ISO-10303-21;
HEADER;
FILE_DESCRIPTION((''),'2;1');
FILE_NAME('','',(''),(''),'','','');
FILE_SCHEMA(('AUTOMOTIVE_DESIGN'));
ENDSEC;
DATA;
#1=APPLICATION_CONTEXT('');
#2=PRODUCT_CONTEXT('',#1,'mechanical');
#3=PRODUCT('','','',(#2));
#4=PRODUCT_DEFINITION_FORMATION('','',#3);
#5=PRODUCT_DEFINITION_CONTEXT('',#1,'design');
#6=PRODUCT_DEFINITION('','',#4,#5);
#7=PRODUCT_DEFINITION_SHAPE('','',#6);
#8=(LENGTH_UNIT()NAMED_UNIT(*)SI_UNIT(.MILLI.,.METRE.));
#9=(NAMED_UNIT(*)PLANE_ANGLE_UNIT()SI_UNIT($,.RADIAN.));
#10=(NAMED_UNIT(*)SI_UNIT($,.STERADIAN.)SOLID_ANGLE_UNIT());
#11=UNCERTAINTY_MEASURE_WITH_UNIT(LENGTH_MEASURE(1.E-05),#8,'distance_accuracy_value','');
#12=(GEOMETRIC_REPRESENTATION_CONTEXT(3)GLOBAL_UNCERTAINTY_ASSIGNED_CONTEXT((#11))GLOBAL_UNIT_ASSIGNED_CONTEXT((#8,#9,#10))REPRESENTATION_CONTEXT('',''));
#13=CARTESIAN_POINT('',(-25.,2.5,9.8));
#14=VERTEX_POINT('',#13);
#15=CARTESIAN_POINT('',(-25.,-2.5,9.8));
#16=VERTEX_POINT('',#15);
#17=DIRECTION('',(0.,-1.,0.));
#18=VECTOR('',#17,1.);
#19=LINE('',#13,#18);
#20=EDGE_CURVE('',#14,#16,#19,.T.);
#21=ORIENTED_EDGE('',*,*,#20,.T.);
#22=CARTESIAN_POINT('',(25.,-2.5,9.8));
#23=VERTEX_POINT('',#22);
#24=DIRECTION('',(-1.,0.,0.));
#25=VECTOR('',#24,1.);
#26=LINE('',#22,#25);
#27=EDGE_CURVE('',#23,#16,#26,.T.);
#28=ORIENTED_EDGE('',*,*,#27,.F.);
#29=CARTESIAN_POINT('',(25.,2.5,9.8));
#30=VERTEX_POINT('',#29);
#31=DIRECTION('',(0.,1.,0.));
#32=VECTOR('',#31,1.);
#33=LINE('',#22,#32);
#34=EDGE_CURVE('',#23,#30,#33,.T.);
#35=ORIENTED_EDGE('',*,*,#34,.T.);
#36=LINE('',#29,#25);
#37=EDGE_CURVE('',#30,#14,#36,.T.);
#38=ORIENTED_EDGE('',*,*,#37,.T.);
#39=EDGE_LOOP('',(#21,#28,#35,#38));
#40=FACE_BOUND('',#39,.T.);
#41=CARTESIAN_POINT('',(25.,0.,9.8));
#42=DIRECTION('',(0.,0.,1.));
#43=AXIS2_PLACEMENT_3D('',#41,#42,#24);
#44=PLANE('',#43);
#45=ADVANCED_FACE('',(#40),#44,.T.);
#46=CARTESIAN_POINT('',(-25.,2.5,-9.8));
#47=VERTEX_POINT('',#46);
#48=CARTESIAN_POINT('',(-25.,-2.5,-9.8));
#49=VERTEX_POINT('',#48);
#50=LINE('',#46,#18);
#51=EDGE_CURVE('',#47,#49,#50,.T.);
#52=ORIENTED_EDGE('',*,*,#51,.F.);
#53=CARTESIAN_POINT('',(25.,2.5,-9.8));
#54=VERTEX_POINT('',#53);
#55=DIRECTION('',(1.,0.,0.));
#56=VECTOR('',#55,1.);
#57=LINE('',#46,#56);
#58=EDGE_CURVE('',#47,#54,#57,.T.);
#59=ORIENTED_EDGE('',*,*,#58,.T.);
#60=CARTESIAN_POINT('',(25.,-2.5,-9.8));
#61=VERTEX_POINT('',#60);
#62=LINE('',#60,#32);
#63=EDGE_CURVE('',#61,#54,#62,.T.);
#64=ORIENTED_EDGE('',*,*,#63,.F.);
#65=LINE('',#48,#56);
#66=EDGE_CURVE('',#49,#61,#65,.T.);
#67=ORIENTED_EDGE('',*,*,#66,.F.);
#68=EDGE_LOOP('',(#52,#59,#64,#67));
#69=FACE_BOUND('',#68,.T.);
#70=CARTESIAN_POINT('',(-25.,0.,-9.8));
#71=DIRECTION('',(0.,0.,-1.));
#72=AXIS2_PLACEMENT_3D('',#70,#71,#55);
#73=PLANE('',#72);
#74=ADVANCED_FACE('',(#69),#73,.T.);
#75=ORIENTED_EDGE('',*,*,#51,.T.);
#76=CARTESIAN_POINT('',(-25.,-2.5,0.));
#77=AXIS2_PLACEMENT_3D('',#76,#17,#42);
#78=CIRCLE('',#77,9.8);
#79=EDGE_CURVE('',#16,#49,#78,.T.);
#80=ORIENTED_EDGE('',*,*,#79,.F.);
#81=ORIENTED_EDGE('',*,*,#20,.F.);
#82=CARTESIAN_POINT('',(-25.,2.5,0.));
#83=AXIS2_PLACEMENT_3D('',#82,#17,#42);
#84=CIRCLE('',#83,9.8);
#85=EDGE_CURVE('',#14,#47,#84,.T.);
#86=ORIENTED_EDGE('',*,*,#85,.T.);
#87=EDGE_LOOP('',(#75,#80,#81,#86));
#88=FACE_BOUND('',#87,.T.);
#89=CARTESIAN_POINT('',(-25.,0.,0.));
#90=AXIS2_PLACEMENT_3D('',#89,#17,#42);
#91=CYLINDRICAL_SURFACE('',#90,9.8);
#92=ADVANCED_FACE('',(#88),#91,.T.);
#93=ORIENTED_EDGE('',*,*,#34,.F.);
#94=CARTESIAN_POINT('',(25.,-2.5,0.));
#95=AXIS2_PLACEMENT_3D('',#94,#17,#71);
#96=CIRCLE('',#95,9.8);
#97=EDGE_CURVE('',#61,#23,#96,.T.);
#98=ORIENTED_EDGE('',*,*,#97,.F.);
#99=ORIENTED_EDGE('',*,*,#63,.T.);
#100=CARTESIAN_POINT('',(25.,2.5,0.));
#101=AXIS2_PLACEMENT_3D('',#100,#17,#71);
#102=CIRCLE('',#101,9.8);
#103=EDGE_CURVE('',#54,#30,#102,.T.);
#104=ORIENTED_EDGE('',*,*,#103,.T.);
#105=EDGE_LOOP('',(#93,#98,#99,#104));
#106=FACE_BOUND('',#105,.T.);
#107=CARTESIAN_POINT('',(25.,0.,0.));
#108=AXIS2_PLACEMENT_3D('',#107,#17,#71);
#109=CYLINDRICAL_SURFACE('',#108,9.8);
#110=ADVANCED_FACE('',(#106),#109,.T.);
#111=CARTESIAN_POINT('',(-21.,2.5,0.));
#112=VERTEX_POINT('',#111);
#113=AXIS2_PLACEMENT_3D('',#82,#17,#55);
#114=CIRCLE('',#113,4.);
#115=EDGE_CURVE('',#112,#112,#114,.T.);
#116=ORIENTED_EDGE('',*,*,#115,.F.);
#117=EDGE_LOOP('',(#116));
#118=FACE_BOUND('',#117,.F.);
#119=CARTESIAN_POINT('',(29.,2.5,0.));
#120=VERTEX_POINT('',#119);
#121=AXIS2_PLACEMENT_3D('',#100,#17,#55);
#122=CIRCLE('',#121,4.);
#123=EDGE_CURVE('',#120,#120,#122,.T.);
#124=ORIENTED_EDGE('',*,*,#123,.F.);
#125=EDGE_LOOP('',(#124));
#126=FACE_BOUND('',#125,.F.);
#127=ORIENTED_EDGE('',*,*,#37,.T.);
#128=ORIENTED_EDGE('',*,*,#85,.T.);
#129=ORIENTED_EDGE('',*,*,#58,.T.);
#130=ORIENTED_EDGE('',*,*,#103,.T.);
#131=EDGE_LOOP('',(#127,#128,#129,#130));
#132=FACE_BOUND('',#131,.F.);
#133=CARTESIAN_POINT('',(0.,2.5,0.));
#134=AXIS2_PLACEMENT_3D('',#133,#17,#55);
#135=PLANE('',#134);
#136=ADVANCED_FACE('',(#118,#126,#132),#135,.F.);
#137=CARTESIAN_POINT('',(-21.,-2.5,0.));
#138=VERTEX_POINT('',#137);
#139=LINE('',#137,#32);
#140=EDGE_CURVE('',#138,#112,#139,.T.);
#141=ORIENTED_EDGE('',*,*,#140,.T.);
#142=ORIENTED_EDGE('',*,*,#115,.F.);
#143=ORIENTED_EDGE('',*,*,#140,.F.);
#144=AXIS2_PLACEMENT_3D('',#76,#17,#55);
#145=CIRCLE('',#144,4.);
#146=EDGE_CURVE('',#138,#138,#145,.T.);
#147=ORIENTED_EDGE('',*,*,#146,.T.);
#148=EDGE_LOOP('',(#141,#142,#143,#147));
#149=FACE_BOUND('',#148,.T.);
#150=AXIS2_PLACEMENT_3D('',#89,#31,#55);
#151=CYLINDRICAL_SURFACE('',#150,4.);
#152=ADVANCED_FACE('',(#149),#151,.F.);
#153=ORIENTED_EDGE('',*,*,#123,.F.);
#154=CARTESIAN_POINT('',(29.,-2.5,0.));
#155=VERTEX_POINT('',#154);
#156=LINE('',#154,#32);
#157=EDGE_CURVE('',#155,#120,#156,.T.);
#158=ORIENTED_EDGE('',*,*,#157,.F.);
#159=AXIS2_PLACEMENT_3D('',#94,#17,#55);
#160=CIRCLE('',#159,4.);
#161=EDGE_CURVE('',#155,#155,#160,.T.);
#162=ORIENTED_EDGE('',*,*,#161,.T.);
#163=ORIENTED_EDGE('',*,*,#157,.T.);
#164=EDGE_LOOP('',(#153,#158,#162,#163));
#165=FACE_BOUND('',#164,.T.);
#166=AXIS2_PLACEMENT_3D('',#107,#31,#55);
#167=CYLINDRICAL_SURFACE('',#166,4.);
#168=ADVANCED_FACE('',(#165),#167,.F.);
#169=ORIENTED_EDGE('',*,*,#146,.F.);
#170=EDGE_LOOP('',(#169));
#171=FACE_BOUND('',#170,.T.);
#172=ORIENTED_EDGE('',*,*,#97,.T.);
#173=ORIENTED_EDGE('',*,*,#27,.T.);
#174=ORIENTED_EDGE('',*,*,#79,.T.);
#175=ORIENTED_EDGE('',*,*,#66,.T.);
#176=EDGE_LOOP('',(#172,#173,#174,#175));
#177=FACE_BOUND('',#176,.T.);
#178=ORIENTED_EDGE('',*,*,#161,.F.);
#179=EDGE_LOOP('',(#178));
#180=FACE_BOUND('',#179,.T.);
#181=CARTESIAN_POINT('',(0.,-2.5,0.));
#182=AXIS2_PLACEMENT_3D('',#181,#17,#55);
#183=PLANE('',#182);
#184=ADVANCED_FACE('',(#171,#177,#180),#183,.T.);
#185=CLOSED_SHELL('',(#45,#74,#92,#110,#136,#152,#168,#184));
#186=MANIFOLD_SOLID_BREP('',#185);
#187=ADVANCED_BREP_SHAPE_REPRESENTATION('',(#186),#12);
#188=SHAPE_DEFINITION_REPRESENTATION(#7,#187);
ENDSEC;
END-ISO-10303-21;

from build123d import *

# Parameters (mm, degrees)
F0_R     = 4
F1_DEPTH = 2.5


with BuildPart() as f1:
    # F0 (on Front) → F1 (new body, symmetric)
    with BuildSketch(Plane.XZ):
        with BuildLine():
            Line((25, 9.8), (0, 9.8))
            Line((0, 9.8), (-25, 9.8))
            ThreePointArc((-25, 9.8), (-34.8, 0), (-25, -9.8))
            Line((-25, -9.8), (0, -9.8))
            Line((0, -9.8), (25, -9.8))
            ThreePointArc((25, -9.8), (34.8, 0), (25, 9.8))
        make_face()
        with Locations((-25, 0)):
            Circle(F0_R, mode=Mode.SUBTRACT)
        with Locations((25, 0)):
            Circle(F0_R, mode=Mode.SUBTRACT)
    extrude(amount=F1_DEPTH, both=True)


solid = f1.part
